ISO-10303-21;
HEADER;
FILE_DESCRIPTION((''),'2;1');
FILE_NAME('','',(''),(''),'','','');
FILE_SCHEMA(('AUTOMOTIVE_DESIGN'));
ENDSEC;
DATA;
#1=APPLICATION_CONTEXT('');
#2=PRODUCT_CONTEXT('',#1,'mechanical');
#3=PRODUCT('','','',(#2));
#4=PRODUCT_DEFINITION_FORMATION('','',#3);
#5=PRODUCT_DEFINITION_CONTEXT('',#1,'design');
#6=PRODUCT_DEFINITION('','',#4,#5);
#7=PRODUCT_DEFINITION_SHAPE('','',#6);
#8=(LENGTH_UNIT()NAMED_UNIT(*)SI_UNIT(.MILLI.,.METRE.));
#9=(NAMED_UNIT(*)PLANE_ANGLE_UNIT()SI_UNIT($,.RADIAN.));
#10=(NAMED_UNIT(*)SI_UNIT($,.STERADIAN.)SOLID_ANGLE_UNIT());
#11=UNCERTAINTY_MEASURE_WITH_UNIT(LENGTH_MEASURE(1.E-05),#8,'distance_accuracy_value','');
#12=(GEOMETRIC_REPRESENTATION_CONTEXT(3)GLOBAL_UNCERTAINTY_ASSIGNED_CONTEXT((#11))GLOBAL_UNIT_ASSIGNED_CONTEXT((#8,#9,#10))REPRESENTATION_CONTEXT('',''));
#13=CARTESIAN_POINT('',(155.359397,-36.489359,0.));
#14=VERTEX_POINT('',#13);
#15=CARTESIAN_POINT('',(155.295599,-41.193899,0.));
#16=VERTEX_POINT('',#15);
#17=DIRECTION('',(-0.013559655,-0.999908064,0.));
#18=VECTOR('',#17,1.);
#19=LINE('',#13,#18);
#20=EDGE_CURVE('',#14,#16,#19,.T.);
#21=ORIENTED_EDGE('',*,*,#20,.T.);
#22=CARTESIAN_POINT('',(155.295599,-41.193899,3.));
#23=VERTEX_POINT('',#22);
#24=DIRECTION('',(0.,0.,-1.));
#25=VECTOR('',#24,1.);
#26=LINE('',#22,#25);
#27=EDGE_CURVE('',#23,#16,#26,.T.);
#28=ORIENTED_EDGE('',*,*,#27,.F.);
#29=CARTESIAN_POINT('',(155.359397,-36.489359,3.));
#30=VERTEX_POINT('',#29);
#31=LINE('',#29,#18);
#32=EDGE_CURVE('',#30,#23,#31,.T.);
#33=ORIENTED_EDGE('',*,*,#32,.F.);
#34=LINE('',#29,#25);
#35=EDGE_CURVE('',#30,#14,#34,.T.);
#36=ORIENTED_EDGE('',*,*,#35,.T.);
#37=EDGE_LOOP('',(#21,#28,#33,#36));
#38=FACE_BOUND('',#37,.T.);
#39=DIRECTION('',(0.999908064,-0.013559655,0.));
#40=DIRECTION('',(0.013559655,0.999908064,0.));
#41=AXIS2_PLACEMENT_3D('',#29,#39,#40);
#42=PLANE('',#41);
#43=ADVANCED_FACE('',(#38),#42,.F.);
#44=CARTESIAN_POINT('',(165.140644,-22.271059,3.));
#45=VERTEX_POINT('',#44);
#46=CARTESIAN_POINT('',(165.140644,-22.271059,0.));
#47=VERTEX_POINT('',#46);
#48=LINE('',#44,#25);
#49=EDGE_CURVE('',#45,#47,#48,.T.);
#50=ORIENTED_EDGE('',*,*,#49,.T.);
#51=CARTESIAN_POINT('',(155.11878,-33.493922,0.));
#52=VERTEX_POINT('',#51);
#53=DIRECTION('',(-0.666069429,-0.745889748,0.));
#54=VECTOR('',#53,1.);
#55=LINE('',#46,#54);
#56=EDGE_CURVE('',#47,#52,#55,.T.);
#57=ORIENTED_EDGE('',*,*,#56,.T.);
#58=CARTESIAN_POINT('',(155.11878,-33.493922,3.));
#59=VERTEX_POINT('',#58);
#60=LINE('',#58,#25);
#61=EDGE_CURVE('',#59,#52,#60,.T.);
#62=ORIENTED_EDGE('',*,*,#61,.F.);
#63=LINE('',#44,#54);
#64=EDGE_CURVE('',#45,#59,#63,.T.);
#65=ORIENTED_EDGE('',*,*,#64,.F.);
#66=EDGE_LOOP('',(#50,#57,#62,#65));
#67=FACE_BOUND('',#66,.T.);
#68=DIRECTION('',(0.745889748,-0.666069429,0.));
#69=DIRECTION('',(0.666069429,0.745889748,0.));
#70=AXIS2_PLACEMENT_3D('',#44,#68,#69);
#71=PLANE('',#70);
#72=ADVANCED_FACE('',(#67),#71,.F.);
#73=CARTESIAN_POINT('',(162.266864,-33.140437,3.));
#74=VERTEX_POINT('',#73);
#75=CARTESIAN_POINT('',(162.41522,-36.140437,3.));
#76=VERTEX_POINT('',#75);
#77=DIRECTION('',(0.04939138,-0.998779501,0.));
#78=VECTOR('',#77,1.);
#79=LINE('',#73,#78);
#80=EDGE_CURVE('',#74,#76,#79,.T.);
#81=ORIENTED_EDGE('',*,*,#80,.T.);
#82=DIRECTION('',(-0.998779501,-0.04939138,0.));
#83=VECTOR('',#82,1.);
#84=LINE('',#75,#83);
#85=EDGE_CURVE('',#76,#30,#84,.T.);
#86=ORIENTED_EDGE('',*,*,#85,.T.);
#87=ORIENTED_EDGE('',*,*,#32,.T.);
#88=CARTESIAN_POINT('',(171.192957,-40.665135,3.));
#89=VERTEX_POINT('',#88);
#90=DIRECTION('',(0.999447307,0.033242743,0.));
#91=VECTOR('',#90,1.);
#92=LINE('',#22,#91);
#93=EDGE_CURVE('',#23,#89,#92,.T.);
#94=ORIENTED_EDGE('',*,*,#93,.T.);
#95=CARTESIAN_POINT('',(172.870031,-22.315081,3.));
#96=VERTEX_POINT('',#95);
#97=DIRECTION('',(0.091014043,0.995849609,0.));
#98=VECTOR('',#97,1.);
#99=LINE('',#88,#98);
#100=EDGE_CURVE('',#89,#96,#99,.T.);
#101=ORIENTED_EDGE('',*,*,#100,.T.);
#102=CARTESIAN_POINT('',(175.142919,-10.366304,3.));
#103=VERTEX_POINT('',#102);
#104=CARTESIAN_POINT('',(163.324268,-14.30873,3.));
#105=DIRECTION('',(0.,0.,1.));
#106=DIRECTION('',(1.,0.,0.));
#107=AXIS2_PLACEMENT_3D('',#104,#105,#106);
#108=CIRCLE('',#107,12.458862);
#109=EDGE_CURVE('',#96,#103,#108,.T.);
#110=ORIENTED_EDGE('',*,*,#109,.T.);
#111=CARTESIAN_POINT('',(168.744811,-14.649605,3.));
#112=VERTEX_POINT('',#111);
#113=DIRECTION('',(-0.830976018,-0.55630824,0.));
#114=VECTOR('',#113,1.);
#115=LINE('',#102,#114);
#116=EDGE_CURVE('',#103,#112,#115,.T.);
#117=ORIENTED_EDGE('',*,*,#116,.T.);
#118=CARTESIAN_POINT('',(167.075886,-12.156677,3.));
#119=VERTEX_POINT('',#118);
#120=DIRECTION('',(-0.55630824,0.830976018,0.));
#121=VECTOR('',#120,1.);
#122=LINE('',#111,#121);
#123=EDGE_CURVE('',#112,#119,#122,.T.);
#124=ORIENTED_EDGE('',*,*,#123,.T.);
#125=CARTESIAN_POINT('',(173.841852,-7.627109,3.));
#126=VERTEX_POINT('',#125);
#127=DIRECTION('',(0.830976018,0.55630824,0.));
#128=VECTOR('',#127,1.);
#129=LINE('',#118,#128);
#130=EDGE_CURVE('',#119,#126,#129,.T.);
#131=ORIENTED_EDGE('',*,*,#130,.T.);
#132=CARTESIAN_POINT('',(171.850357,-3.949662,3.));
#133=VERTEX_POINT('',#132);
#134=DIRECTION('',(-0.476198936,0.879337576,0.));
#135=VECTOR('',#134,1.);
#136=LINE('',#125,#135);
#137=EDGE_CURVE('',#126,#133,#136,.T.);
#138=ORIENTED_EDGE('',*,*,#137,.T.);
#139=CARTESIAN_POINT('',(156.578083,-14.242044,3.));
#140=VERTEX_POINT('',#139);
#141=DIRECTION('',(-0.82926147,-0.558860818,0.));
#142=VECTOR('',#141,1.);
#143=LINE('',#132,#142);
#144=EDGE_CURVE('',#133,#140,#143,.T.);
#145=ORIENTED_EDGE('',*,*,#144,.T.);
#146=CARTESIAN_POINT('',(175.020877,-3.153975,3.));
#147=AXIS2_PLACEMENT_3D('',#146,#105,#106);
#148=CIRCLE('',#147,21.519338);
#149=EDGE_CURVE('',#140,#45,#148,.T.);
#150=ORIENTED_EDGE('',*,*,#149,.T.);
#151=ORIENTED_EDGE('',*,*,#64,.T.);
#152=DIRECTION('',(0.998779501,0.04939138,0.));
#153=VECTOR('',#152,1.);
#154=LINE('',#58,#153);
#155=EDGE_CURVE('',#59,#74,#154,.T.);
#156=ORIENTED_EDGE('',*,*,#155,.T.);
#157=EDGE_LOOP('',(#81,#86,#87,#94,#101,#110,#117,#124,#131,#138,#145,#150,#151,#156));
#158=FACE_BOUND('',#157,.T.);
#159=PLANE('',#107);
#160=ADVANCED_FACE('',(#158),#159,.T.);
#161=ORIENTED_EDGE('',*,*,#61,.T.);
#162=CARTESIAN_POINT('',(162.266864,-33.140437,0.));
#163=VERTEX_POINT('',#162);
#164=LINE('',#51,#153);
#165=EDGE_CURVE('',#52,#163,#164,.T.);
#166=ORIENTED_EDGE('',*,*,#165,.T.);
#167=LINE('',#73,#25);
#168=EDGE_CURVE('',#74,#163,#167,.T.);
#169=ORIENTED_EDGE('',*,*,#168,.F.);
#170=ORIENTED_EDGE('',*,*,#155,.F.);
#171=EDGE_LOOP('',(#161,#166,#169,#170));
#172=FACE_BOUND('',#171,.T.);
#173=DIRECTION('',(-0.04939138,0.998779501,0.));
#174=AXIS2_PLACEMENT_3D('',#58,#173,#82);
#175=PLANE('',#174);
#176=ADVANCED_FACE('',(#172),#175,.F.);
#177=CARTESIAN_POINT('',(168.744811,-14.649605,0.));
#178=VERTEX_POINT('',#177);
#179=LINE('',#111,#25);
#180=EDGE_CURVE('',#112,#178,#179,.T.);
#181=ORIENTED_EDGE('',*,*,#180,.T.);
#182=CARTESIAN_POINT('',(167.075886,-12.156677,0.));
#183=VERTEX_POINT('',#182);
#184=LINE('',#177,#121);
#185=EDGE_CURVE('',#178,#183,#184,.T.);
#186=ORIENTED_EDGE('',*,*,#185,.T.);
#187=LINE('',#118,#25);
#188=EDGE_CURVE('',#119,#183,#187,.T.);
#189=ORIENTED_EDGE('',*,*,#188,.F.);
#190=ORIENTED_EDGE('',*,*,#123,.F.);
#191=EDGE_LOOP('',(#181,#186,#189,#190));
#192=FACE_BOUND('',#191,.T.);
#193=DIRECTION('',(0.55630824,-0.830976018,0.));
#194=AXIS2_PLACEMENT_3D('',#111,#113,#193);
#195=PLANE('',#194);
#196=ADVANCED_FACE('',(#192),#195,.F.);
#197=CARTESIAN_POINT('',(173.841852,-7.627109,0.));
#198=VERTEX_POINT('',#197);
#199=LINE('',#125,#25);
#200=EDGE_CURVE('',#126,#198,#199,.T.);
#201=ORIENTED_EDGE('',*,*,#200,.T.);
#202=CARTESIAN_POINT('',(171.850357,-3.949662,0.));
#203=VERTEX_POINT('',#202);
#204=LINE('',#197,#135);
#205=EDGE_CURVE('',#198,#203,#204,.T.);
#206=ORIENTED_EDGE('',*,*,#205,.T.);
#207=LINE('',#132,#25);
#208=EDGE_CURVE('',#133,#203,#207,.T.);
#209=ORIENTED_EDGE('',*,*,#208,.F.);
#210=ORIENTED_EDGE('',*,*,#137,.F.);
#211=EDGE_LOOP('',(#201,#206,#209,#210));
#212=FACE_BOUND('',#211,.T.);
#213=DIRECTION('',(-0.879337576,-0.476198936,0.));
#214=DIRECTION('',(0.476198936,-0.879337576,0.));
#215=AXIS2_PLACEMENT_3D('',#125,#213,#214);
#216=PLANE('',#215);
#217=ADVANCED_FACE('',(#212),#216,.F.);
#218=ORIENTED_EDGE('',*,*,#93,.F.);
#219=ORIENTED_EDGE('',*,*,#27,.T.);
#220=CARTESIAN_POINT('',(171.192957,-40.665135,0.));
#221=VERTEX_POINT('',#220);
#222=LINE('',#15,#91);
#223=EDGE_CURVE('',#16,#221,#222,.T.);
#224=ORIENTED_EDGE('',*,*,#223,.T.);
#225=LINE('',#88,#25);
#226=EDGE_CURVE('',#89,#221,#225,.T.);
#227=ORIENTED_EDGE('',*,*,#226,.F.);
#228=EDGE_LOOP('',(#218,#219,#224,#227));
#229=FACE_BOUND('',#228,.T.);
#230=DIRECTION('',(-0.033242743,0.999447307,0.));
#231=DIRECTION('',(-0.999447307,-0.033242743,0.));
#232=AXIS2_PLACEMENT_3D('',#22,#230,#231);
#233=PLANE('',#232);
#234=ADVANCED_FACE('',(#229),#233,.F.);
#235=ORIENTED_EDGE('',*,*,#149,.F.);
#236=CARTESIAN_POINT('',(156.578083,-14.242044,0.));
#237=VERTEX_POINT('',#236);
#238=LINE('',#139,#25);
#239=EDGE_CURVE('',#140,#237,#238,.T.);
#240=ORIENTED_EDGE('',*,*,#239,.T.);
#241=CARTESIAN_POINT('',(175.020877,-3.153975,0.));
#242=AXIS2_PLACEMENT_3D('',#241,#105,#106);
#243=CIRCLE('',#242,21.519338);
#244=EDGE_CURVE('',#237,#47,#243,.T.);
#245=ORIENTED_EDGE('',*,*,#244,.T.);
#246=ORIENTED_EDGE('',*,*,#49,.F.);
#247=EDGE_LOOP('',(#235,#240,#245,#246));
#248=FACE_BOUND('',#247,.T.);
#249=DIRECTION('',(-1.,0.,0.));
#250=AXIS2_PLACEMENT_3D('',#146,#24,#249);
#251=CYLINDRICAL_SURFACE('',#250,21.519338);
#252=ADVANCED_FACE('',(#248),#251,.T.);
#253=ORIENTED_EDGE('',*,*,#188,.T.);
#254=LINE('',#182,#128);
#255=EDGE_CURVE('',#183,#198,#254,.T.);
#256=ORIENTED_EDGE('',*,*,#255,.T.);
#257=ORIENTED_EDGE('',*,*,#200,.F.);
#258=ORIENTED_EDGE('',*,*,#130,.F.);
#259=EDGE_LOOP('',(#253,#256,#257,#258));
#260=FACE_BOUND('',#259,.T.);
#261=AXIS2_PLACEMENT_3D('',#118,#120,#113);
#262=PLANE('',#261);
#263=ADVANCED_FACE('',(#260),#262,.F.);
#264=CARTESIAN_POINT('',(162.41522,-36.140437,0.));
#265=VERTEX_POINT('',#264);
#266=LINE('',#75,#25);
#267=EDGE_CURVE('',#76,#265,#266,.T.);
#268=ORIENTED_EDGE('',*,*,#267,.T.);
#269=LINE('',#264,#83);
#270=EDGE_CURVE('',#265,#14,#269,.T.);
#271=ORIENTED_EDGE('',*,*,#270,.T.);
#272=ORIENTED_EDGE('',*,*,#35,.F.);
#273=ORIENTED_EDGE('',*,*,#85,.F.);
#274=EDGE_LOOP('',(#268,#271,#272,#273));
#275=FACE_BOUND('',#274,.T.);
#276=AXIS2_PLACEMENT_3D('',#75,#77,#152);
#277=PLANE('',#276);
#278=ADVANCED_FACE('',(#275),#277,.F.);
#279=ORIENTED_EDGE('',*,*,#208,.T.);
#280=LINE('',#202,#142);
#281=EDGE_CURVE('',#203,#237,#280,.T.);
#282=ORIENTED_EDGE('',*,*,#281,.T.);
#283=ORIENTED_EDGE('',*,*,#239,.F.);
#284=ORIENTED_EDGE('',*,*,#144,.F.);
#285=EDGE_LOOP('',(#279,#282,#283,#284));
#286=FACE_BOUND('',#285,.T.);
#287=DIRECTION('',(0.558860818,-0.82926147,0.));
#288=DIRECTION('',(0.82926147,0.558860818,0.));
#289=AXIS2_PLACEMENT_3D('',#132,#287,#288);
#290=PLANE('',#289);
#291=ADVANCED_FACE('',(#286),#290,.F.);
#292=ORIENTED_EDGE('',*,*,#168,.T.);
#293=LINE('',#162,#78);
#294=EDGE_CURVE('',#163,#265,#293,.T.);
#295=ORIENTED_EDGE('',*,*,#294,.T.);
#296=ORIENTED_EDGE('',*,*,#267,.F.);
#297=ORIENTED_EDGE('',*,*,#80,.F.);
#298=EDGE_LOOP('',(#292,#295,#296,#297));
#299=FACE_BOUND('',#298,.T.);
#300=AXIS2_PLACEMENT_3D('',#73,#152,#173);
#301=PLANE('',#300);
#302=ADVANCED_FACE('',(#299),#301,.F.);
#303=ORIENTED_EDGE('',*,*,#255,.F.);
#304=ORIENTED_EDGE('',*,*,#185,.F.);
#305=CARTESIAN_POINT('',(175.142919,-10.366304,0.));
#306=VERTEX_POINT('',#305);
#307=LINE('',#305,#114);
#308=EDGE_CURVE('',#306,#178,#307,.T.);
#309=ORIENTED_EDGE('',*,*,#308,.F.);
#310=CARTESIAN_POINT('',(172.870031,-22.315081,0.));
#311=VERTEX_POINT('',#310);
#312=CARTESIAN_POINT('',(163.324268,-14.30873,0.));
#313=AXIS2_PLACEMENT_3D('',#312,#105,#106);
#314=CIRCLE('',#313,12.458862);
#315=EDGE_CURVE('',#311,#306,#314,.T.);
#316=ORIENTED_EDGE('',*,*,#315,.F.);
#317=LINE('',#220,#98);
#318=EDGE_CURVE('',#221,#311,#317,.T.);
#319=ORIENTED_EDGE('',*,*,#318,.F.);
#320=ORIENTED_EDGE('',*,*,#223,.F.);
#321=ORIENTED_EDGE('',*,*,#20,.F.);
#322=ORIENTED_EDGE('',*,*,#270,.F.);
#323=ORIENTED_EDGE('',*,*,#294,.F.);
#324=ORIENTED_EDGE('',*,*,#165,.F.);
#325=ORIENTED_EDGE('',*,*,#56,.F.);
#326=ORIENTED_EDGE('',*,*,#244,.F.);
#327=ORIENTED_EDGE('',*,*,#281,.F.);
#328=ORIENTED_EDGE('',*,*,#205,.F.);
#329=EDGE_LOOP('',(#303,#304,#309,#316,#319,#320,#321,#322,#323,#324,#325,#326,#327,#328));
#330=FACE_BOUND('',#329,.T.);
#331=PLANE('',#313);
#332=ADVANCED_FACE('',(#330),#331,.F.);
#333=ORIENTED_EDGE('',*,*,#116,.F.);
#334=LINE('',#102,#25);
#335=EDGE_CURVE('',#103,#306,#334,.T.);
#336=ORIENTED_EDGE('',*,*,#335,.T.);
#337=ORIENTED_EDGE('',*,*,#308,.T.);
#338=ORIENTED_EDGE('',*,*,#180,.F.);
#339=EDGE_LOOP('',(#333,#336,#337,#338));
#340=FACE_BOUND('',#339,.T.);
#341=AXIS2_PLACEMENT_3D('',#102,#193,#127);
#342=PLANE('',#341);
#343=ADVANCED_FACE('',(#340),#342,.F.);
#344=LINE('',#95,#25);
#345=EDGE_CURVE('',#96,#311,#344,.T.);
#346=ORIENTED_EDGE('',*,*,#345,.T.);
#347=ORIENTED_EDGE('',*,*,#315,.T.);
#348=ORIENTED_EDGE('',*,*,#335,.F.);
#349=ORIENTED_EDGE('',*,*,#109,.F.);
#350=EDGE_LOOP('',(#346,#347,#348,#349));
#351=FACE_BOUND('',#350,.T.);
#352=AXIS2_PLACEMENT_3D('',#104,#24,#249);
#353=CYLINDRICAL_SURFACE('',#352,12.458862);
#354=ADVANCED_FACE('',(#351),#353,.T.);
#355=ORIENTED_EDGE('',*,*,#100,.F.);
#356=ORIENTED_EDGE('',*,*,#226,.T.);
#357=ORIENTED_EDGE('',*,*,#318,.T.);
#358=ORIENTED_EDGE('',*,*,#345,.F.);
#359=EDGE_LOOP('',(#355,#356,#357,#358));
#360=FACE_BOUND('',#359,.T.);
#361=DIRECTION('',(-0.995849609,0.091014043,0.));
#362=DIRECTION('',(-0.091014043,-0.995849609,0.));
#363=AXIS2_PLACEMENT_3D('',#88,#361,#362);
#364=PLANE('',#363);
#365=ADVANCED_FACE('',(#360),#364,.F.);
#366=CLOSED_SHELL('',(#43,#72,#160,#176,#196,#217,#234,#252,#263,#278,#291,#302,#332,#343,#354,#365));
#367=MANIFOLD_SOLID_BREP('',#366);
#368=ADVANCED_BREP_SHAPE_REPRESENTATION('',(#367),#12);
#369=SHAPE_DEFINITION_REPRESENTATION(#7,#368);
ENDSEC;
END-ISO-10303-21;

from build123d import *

# Parameters (mm, degrees)
BASE_EXTRUDE_DEPTH = 3


with BuildPart() as part:
    # Sketch1 → Base-Extrude (new body)
    with BuildSketch(Plane.XY):
        with BuildLine():
            Line((171.192957442, -40.665135082), (172.870030556, -22.31508098))
            ThreePointArc((172.870030556, -22.31508098), (175.563665965, -16.636900634), (175.142919492, -10.366304477))
            Line((175.142919492, -10.366304477), (168.744811214, -14.64960541))
            Line((168.744811214, -14.64960541), (167.075886495, -12.156677356))
            Line((167.075886495, -12.156677356), (173.841852345, -7.62710915))
            Line((173.841852345, -7.62710915), (171.850357265, -3.949661926))
            Line((171.850357265, -3.949661926), (156.57808296, -14.242043783))
            ThreePointArc((156.57808296, -14.242043783), (160.301341172, -18.851655885), (165.14064427, -22.271059484))
            Line((165.14064427, -22.271059484), (155.118780374, -33.49392187))
            Line((155.118780374, -33.49392187), (162.266864396, -33.140436707))
            Line((162.266864396, -33.140436707), (162.415219603, -36.140436707))
            Line((162.415219603, -36.140436707), (155.359396637, -36.4893594))
            Line((155.359396637, -36.4893594), (155.295598836, -41.193899126))
            Line((155.295598836, -41.193899126), (171.192957442, -40.665135082))
        make_face()
    extrude(amount=BASE_EXTRUDE_DEPTH)


solid = part.part
